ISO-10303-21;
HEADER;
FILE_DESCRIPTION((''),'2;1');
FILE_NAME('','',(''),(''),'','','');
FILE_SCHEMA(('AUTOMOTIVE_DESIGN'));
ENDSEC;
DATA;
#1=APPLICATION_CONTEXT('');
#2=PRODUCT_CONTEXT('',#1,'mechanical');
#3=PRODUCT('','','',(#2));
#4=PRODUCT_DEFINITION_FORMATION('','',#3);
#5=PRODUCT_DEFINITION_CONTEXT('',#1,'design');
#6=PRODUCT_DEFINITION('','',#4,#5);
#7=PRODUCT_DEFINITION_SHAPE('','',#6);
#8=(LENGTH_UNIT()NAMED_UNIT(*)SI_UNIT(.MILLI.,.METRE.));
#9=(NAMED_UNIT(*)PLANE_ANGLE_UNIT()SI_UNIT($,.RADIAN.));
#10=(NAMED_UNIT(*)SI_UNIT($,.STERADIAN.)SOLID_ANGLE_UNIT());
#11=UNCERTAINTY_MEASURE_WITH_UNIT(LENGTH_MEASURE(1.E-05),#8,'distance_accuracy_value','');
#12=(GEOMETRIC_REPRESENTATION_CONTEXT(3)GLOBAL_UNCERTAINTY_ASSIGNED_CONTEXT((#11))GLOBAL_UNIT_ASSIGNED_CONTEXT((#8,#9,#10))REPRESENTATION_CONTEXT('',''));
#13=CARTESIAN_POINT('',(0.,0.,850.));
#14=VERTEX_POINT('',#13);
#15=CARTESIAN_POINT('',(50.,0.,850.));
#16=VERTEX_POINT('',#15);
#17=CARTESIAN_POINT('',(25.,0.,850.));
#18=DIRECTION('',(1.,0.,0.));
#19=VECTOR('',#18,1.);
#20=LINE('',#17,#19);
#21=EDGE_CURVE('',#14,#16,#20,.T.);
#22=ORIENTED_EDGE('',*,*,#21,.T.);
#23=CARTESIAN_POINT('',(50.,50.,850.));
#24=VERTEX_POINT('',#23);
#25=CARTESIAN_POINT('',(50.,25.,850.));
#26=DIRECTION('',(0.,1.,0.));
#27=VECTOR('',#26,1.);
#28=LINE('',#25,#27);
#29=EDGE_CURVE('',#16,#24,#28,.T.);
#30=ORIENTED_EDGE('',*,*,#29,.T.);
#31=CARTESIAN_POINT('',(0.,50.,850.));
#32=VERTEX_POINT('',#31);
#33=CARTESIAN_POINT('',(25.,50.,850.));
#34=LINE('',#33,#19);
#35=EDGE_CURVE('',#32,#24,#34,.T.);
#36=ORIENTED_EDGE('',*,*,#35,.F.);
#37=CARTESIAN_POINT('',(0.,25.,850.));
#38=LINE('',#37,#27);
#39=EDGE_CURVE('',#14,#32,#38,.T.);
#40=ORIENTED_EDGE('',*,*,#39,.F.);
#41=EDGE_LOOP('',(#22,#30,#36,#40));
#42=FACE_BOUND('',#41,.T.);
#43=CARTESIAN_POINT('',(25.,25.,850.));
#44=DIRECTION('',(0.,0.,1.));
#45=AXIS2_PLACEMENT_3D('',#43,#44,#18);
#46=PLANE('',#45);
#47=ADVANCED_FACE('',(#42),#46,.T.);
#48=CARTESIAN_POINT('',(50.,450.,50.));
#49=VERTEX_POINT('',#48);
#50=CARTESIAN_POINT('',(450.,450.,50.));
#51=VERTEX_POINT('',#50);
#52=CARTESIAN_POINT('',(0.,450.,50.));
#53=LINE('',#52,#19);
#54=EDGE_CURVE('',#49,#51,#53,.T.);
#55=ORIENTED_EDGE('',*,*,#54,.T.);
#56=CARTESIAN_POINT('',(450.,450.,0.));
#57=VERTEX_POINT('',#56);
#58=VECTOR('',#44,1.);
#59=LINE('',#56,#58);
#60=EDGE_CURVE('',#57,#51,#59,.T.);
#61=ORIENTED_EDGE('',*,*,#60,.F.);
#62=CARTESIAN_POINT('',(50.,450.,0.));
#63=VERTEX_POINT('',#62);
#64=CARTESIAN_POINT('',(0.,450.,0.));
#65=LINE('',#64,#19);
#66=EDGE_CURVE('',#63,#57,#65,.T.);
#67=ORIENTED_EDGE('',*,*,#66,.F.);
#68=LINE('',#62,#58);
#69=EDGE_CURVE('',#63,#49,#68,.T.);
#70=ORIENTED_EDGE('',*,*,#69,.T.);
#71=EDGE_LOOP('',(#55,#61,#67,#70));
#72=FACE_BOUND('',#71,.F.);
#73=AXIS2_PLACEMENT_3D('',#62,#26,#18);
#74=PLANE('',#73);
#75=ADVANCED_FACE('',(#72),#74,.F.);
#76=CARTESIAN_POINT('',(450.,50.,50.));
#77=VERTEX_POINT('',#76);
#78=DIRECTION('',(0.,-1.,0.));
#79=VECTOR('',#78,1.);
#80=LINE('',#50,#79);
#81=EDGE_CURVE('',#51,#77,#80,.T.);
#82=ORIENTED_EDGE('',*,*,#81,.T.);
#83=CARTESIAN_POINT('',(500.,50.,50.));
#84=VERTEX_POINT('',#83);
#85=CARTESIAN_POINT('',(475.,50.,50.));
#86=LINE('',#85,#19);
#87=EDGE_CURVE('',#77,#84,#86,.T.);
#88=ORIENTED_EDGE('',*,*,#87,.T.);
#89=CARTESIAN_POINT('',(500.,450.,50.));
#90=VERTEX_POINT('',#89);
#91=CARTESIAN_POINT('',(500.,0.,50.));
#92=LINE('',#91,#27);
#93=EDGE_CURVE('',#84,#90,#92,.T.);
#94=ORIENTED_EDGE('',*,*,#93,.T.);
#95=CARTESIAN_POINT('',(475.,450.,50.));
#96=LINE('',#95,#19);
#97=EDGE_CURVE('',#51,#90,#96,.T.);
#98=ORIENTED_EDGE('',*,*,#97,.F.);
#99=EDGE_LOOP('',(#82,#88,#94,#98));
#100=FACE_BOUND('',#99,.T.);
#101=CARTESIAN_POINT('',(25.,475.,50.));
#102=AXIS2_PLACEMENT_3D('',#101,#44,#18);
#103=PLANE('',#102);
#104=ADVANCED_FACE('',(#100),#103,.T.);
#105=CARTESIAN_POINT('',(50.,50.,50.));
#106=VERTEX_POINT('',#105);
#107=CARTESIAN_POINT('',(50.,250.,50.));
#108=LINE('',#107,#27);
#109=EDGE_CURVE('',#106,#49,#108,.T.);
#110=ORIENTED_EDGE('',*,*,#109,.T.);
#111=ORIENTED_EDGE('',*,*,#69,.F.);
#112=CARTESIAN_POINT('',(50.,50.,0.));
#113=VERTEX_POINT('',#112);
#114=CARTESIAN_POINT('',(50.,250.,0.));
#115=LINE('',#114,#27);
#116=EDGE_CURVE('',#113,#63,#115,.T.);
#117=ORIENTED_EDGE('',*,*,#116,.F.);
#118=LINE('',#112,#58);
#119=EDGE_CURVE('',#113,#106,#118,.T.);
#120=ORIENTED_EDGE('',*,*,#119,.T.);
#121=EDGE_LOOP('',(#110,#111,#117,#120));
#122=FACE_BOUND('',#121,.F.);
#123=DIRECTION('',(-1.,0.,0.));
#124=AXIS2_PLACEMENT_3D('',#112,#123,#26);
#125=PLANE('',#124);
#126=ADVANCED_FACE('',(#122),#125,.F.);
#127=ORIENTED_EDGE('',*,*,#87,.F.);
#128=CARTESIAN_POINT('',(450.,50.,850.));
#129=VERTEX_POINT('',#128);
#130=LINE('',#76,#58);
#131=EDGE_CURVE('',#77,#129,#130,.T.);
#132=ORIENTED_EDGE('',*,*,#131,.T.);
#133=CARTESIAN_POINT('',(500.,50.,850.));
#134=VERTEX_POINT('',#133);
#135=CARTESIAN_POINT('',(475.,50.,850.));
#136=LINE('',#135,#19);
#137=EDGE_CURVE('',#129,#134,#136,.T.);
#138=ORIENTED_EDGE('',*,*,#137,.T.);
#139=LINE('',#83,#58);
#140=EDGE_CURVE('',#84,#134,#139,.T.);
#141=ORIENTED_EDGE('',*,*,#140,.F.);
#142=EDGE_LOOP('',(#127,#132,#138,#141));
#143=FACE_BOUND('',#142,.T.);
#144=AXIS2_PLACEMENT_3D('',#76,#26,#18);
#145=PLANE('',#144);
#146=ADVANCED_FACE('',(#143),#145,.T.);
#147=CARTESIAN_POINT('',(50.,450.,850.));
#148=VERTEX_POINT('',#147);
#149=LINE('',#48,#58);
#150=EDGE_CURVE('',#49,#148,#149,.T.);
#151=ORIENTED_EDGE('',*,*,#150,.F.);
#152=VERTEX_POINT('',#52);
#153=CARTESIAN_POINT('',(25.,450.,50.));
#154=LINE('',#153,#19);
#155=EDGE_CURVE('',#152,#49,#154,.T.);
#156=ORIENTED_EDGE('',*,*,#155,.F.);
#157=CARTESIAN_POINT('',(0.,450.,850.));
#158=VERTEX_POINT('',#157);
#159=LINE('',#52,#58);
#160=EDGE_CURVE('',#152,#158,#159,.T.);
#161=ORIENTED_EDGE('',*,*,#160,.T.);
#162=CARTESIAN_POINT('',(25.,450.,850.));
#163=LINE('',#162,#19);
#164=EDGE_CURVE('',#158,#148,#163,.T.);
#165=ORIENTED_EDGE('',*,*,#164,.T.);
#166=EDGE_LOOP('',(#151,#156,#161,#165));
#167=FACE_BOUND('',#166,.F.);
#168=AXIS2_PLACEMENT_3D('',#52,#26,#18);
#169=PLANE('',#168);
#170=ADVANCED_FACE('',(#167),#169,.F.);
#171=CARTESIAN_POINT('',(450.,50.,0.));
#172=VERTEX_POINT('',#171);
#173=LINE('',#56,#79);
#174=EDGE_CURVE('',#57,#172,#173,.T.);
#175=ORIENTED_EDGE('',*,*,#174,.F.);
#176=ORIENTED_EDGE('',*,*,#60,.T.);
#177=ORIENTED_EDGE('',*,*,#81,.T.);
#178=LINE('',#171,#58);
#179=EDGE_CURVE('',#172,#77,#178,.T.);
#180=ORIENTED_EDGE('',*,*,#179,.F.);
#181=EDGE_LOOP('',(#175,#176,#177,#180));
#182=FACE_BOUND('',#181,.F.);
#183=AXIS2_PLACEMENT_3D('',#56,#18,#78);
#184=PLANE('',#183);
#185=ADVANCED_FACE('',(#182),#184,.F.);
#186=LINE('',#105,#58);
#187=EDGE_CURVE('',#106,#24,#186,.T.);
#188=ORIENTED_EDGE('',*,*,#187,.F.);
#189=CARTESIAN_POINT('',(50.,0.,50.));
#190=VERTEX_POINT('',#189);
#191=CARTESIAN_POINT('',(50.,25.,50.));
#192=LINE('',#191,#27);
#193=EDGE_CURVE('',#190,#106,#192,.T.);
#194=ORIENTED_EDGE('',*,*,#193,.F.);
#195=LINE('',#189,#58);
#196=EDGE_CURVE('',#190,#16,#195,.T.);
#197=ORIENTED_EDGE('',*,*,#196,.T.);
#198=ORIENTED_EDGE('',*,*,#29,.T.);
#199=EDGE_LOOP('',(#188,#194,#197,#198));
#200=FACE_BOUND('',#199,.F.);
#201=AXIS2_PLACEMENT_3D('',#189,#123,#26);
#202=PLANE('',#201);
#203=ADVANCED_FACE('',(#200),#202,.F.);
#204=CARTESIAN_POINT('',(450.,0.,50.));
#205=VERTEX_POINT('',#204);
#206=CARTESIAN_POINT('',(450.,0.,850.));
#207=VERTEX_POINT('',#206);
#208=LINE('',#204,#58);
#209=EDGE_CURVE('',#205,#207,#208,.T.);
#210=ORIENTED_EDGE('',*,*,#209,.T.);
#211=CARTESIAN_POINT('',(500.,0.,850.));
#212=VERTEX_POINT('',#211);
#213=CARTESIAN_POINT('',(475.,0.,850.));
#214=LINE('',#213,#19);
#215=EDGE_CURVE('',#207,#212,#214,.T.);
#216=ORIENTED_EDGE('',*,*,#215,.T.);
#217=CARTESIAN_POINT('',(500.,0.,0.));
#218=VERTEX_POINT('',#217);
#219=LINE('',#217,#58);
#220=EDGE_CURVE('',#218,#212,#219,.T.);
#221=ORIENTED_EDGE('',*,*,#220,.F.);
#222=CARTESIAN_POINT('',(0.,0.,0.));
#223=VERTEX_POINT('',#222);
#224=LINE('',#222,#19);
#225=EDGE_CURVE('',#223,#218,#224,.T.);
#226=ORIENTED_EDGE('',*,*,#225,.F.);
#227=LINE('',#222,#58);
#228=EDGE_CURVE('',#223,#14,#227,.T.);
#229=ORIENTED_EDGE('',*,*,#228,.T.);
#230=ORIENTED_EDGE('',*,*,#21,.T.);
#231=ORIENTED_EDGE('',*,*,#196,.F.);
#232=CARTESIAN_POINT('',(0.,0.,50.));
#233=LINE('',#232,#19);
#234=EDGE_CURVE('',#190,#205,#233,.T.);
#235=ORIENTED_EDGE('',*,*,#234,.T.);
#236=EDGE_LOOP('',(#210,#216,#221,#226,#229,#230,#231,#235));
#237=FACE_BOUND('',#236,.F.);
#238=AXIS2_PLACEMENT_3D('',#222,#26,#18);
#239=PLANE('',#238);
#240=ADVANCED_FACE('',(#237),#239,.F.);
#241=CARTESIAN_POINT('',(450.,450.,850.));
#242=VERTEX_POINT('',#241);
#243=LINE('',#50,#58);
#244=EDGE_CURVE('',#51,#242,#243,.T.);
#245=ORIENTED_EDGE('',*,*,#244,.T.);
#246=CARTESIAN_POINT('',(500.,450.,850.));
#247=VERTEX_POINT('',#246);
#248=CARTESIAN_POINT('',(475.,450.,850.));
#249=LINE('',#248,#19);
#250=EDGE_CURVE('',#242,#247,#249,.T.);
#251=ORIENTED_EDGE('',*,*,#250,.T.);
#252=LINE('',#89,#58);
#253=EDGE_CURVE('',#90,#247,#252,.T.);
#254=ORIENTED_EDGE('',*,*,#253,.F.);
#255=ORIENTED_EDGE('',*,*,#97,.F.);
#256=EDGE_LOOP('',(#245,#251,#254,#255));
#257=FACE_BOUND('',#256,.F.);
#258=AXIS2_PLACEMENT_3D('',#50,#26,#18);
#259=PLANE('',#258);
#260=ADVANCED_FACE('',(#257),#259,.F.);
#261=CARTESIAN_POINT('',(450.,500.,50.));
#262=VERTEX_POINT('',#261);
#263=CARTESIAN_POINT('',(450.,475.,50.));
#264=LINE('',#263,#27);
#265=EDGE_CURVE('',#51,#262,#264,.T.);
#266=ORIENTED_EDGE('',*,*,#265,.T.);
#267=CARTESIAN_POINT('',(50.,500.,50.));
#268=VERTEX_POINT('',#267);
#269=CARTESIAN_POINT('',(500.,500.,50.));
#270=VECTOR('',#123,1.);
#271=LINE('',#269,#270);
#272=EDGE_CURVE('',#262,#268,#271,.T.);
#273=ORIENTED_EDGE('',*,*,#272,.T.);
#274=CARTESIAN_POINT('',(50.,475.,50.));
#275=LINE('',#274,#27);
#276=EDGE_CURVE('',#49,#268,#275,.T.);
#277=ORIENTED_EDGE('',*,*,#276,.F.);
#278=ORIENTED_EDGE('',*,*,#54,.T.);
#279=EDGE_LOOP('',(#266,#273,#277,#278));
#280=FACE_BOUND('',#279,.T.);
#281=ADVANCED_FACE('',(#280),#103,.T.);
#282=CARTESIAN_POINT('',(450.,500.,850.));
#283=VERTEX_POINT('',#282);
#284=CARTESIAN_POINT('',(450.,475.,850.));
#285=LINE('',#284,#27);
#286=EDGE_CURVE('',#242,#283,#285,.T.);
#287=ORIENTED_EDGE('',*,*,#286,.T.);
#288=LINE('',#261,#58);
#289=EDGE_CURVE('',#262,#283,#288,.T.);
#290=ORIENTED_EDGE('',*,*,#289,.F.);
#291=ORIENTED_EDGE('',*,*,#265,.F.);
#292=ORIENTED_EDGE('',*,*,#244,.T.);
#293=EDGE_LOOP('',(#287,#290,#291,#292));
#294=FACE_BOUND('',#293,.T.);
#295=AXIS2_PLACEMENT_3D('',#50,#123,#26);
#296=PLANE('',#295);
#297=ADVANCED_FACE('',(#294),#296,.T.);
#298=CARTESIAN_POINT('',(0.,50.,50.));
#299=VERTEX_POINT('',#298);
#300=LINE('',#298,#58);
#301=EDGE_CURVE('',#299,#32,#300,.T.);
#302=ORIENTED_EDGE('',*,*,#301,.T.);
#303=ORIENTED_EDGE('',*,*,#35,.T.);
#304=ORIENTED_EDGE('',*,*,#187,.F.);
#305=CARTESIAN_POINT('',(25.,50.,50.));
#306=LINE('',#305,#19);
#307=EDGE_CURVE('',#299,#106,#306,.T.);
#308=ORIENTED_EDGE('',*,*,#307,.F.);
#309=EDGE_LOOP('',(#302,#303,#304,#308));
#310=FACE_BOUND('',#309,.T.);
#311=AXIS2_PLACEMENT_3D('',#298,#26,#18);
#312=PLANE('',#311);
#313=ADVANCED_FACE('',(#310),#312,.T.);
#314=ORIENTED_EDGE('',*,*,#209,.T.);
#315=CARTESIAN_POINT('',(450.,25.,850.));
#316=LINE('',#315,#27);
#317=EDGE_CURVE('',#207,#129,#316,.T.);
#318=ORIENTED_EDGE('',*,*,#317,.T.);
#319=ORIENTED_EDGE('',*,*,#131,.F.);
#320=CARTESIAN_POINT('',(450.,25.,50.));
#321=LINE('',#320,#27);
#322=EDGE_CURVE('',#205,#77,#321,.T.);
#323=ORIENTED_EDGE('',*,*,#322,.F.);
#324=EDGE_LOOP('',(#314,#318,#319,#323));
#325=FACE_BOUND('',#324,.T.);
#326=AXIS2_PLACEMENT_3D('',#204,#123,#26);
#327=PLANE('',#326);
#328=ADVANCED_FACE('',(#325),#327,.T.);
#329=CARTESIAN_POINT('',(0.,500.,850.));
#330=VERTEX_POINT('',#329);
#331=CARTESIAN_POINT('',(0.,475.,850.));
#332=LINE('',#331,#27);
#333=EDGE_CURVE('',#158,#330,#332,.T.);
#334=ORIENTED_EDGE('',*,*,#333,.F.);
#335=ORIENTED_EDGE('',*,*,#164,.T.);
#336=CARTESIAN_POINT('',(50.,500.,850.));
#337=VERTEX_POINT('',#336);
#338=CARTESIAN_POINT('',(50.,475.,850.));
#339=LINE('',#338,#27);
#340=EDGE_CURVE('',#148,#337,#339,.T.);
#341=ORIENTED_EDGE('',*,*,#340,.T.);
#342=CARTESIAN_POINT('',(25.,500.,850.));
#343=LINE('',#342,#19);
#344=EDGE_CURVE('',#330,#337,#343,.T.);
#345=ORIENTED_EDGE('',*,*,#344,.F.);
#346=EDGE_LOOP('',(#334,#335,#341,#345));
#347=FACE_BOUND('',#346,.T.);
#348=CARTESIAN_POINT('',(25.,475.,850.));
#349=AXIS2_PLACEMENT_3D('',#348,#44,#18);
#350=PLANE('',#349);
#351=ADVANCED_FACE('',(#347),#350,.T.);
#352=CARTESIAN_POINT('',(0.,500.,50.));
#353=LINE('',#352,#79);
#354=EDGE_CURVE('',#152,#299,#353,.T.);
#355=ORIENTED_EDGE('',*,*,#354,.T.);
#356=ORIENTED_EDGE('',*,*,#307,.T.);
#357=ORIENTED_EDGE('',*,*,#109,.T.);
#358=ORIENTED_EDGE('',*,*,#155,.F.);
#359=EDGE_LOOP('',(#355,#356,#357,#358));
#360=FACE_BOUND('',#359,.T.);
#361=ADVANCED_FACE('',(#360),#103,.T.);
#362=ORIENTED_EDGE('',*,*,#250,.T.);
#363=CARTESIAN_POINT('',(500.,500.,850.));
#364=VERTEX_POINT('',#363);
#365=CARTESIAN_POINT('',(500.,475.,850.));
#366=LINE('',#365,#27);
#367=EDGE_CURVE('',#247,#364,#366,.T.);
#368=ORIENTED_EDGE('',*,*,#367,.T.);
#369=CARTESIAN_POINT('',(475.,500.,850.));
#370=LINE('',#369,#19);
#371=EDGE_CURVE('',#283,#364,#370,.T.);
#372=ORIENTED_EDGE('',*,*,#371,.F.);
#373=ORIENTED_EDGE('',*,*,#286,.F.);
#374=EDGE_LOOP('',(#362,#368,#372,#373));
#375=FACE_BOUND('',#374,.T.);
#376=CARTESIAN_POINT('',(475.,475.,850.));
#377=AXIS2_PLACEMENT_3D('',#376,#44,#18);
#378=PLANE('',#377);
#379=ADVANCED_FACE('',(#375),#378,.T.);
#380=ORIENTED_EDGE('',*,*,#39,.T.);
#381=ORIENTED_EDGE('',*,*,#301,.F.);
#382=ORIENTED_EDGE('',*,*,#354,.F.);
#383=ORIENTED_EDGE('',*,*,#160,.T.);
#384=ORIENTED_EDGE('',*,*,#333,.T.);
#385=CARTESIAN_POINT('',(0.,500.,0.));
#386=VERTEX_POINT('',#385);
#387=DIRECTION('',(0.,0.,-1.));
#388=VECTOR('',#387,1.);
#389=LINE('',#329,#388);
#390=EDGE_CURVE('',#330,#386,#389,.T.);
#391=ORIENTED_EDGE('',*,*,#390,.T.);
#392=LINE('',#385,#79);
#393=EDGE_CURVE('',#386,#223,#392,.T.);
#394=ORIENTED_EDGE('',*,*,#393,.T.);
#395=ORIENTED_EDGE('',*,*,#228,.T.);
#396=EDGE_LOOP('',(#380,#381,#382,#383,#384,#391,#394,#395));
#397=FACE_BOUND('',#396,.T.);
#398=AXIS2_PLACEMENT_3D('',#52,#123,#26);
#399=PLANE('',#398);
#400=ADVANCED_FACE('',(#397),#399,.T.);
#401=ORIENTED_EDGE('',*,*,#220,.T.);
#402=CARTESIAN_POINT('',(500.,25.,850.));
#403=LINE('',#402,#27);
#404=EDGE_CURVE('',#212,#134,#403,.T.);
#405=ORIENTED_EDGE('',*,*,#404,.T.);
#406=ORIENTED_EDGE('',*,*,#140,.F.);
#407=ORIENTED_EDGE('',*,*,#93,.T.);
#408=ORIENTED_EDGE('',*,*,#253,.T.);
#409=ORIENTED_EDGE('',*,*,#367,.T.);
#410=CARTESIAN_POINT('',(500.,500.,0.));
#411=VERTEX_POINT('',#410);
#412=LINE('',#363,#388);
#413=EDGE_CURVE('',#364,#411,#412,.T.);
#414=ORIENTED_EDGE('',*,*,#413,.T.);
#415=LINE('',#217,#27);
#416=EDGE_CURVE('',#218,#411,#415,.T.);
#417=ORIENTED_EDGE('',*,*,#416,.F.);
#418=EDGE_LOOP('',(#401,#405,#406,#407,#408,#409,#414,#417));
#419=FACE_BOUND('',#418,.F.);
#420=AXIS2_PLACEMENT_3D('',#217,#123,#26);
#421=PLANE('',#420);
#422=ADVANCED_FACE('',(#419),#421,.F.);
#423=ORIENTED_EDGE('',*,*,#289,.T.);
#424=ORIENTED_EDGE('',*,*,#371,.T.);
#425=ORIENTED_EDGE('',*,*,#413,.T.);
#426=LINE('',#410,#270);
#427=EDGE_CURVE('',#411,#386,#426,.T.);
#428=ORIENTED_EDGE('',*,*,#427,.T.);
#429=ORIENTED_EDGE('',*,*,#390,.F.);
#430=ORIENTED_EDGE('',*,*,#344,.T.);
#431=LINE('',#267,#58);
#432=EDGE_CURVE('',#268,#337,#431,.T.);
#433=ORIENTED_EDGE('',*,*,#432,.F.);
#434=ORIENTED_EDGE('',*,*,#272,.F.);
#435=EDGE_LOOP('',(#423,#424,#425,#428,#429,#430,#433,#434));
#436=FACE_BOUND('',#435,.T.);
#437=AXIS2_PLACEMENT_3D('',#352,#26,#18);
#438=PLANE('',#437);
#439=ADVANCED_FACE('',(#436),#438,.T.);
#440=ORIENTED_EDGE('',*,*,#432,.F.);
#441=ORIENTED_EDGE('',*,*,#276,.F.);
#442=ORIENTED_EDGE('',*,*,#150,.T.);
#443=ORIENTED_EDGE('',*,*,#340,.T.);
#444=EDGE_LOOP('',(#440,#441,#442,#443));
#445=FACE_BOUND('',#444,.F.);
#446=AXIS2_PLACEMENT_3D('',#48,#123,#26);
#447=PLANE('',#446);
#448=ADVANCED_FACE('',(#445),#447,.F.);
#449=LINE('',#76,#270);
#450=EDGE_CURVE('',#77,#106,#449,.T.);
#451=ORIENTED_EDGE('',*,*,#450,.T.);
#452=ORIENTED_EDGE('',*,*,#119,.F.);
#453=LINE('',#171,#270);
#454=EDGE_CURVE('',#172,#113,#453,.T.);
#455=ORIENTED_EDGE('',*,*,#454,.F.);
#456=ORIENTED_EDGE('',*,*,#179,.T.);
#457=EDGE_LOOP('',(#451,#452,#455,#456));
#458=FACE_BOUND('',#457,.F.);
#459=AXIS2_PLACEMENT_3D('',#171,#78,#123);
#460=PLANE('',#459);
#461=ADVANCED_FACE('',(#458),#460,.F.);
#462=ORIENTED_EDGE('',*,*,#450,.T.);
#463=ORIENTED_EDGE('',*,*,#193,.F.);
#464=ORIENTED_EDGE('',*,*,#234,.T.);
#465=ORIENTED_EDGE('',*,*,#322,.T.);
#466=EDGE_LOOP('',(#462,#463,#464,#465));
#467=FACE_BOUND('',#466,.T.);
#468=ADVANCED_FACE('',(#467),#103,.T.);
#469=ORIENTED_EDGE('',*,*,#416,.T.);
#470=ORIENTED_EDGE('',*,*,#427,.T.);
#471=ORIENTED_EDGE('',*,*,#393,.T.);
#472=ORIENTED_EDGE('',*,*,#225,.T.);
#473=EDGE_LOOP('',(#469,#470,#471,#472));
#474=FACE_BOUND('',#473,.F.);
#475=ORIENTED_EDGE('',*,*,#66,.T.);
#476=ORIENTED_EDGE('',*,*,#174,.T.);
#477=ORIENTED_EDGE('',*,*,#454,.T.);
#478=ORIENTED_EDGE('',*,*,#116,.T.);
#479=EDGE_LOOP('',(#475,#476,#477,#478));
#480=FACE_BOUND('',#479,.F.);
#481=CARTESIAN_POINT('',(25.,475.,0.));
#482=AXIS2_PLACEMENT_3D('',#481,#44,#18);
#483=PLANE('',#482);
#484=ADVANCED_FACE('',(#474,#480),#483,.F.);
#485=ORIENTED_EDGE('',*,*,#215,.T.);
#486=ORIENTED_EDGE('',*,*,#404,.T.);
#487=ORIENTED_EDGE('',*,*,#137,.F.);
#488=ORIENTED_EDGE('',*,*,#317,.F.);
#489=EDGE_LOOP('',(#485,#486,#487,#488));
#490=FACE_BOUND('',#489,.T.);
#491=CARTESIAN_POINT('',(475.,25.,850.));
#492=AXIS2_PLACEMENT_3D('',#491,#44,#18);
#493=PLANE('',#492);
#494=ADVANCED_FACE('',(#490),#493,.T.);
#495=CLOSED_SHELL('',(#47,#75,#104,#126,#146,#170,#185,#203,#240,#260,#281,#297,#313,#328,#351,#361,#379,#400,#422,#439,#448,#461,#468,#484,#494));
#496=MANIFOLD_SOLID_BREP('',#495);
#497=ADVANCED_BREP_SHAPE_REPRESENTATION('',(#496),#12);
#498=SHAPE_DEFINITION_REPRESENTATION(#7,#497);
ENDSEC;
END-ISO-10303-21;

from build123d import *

# Parameters (mm, degrees)
F0_W     = 50
F0_H     = 50
F0_W_2   = 400
F0_H_2   = 400
F1_DEPTH = 50
F2_W     = 50
F2_H     = 50
F3_DEPTH = 800


with BuildPart() as f1:
    # F0 (on Top) → F1 (new body)
    with BuildSketch(Plane.XY):
        with Locations((25, 475)):
            Rectangle(F0_W, F0_H)
        with Locations((250, 475)):
            Rectangle(F0_W_2, F0_H)
        with Locations((475, 475)):
            Rectangle(F0_W, F0_H)
        with Locations((475, 250)):
            Rectangle(F0_W, F0_H_2)
        with Locations((475, 25)):
            Rectangle(F0_W, F0_H)
        with Locations((250, 25)):
            Rectangle(F0_W_2, F0_H)
        with Locations((25, 25)):
            Rectangle(F0_W, F0_H)
        with Locations((25, 250)):
            Rectangle(F0_W, F0_H_2)
    extrude(amount=F1_DEPTH)

    # F2 (on face) → F3 (join)
    with BuildSketch(Plane.XY.offset(50)):
        with Locations((25, 475)):
            Rectangle(F2_W, F2_H)
        with Locations((475, 475)):
            Rectangle(F2_W, F2_H)
        with Locations((475, 25)):
            Rectangle(F2_W, F2_H)
        with Locations((25, 25)):
            Rectangle(F2_W, F2_H)
    extrude(amount=F3_DEPTH)


solid = f1.part
